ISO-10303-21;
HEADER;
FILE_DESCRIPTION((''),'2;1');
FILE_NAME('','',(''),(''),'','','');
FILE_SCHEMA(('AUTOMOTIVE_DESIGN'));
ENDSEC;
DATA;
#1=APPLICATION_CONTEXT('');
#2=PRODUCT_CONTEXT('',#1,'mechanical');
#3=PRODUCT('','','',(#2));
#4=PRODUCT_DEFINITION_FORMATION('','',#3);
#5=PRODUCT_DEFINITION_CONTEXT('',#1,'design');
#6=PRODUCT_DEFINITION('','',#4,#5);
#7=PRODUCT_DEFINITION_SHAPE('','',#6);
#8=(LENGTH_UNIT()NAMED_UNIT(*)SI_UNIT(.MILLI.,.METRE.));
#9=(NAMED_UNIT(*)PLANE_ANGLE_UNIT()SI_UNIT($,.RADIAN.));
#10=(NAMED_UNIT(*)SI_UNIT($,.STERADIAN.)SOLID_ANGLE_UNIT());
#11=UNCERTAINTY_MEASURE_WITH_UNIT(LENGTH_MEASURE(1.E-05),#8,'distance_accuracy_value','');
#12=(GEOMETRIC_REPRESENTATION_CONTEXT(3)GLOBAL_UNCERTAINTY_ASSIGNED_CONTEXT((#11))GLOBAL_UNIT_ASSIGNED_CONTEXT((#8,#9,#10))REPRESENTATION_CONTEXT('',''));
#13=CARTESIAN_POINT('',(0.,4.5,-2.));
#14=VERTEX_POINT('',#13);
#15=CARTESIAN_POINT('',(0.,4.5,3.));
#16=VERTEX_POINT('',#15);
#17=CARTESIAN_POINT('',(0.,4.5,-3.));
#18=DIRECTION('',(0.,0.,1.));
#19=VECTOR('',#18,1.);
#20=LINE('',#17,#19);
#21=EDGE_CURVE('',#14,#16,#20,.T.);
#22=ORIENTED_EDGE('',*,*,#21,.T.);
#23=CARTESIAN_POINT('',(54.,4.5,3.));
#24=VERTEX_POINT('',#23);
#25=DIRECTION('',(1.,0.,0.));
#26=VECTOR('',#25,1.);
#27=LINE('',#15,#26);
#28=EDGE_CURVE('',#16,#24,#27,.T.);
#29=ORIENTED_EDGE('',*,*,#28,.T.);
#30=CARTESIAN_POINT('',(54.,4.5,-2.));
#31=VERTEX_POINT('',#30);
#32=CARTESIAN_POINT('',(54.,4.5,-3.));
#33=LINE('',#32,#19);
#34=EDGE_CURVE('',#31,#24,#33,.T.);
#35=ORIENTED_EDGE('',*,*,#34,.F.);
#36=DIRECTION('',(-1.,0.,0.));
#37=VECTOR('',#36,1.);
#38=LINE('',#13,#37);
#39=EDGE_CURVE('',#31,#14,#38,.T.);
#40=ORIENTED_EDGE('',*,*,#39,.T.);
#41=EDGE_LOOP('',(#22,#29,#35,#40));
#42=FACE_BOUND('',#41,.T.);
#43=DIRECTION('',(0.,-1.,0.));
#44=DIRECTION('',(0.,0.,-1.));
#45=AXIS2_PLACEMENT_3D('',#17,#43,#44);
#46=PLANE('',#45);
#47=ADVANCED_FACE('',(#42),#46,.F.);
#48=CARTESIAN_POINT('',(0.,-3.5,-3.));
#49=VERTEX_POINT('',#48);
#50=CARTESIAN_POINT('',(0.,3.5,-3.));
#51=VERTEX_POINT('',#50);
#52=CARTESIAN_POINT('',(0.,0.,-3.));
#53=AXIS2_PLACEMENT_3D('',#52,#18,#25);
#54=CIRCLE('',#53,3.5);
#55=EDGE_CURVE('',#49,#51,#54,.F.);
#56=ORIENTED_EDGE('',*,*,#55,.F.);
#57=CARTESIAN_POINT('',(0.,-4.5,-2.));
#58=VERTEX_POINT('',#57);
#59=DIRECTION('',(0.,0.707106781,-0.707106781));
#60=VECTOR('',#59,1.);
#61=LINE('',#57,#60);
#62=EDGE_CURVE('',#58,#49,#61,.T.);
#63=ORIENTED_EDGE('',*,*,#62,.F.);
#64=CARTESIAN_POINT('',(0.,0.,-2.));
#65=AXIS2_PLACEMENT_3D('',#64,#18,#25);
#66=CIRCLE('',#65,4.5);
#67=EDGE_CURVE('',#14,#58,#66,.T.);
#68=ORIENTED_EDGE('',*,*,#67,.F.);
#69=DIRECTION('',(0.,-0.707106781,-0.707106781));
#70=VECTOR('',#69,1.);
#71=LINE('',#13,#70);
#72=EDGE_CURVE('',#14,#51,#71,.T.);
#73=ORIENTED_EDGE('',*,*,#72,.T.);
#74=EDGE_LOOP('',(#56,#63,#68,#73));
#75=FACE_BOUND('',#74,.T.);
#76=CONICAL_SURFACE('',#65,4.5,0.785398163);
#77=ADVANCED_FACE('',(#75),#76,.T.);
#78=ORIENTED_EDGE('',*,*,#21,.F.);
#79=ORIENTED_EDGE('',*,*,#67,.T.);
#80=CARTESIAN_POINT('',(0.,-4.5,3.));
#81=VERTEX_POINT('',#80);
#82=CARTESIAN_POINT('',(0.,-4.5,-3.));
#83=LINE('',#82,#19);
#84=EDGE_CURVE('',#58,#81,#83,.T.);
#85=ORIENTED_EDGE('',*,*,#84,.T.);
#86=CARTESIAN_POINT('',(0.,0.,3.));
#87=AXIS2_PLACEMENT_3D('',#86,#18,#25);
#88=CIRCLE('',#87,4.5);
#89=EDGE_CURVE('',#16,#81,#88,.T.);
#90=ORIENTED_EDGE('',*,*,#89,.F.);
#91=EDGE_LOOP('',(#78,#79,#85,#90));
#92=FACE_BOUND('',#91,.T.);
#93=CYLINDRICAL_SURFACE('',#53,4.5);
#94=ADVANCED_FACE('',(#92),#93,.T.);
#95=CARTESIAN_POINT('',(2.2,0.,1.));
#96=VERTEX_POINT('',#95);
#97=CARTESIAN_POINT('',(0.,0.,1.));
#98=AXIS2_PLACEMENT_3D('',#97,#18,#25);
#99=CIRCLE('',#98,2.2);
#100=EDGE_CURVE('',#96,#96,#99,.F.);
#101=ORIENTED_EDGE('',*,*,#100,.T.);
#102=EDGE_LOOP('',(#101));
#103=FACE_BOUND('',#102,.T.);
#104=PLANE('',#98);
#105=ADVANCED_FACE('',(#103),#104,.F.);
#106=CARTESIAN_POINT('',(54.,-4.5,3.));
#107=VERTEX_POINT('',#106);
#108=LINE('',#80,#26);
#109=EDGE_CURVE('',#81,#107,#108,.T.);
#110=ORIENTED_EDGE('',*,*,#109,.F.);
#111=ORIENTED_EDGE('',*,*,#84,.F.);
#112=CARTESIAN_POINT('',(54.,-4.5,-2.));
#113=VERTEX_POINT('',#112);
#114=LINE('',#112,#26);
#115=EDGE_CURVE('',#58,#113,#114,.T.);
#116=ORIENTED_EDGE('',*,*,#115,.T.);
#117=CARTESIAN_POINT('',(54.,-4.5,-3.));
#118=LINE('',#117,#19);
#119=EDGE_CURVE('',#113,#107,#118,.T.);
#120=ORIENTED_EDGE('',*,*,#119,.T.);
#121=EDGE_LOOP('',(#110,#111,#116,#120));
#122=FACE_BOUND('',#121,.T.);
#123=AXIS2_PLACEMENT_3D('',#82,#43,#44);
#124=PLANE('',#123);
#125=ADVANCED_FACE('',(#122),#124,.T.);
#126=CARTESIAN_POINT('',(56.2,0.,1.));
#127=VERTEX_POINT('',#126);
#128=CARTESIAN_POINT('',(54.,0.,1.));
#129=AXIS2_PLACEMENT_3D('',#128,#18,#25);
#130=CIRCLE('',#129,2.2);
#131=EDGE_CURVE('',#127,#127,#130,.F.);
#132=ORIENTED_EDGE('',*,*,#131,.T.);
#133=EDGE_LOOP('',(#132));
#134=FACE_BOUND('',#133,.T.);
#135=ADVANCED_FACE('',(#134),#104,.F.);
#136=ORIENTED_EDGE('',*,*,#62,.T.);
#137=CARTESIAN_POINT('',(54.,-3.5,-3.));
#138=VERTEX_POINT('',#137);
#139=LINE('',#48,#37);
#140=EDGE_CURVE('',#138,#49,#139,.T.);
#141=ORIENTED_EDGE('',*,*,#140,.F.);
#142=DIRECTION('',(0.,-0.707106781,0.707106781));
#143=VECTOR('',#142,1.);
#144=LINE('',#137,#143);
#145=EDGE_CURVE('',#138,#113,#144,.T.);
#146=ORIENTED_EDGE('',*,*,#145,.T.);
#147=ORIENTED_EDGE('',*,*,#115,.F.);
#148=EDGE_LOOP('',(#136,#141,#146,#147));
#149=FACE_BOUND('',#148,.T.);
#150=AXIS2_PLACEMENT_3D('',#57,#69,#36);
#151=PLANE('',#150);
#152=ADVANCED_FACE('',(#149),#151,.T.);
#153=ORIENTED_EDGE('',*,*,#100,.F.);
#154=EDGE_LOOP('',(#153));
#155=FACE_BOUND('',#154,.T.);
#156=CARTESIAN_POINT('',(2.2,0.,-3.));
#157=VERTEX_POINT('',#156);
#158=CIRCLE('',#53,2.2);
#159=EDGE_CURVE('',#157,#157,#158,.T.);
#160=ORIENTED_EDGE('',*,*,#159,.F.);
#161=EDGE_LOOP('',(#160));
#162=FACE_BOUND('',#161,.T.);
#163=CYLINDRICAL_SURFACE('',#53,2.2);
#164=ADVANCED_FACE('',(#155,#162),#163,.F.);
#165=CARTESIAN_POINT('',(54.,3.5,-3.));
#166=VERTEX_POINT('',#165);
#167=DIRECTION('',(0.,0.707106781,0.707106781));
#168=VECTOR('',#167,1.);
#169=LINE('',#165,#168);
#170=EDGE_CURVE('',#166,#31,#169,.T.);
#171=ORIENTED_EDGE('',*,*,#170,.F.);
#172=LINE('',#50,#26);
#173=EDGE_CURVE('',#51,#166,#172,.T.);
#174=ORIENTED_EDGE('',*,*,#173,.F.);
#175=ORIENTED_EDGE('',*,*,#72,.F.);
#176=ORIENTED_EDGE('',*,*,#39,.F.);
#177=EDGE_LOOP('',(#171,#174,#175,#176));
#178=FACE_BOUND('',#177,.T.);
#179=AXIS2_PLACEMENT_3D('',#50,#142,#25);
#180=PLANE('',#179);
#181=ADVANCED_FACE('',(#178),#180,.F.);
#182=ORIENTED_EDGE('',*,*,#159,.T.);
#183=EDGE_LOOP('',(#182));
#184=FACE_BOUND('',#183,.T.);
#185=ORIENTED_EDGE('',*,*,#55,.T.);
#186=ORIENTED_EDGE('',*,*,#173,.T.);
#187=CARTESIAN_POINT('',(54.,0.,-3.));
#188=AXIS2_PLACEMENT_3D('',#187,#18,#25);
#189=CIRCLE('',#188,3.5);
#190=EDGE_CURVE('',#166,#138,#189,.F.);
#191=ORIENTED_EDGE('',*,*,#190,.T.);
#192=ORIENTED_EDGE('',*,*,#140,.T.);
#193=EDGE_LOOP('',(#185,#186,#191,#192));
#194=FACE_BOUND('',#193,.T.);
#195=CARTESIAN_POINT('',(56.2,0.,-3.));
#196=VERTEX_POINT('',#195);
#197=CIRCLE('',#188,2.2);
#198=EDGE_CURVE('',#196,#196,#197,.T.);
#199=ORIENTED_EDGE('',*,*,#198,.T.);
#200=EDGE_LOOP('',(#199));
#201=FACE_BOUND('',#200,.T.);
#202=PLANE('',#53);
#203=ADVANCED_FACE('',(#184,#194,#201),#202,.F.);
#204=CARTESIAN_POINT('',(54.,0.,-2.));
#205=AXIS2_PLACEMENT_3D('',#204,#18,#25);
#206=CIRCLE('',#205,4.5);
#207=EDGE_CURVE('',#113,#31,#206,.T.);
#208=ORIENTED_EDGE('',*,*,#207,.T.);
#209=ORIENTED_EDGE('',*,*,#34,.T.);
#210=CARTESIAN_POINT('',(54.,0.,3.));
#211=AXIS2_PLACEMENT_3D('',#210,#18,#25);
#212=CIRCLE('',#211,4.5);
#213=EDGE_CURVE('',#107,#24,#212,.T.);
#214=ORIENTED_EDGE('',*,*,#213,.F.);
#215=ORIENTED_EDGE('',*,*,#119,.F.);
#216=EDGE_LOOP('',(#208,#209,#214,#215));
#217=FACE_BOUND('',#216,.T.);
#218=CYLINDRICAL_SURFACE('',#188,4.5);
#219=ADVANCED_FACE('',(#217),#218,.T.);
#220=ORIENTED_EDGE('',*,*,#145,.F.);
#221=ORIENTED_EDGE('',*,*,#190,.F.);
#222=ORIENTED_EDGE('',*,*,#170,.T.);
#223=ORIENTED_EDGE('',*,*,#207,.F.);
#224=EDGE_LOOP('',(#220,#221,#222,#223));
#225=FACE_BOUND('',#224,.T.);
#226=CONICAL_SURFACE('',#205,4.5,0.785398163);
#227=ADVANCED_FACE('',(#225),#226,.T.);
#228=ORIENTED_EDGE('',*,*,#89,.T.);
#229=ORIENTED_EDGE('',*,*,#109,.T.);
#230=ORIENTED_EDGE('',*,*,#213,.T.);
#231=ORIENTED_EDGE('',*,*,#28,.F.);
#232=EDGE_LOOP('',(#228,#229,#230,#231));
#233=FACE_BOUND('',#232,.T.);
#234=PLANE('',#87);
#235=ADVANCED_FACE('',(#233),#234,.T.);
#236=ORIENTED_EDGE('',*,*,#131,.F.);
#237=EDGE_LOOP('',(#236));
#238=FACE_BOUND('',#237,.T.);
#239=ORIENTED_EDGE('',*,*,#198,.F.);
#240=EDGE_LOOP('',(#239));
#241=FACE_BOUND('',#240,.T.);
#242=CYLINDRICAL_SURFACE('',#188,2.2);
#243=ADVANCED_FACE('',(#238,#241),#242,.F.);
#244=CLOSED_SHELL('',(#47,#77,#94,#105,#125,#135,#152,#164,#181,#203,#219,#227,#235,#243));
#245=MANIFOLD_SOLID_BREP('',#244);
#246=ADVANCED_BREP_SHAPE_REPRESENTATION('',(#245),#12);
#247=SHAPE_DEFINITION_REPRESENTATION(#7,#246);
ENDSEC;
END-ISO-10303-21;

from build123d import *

# Parameters (mm, degrees)
BOSS_EXTRUDE1_DEPTH      = 3
BOSS_EXTRUDE1_DEPTH_BACK = 3
SKETCH1_R                = 2.2
BOSS_EXTRUDE2_START      = -2
SKETCH2_R                = 2.2
BOSS_EXTRUDE2_DEPTH      = 2
CHAMFER2_SIZE            = 1


with BuildPart() as part:
    # Sketch1 → Boss-Extrude1 (new, two sides: drawn at the far end of the back side and taken through both)
    with BuildSketch(Plane.XY.offset(-BOSS_EXTRUDE1_DEPTH_BACK)):
        with BuildLine():
            ThreePointArc((0, 4.5), (-4.5, 0), (0, -4.5))
            Line((0, -4.5), (54, -4.5))
            ThreePointArc((54, -4.5), (58.5, 0), (54, 4.5))
            Line((54, 4.5), (0, 4.5))
        make_face()
        Circle(SKETCH1_R, mode=Mode.SUBTRACT)
        with Locations((54, 0)):
            Circle(SKETCH1_R, mode=Mode.SUBTRACT)
    extrude(amount=BOSS_EXTRUDE1_DEPTH + BOSS_EXTRUDE1_DEPTH_BACK)

    # Sketch2 → Boss-Extrude2 (add)
    with BuildSketch(Plane.XY.offset(3).offset(BOSS_EXTRUDE2_START)):
        with Locations((54, 0)):
            Circle(SKETCH2_R)
        Circle(SKETCH2_R)
    extrude(amount=BOSS_EXTRUDE2_DEPTH)

    # Chamfer2
    chamfer2_edges = [part.edges().sort_by_distance(p)[0] for p in [
        (58.5, 0, -3),
        (27, 4.5, -3),
        (-4.5, 0, -3),
        (27, -4.5, -3),
    ]]
    chamfer(chamfer2_edges, length=CHAMFER2_SIZE)


solid = part.part
